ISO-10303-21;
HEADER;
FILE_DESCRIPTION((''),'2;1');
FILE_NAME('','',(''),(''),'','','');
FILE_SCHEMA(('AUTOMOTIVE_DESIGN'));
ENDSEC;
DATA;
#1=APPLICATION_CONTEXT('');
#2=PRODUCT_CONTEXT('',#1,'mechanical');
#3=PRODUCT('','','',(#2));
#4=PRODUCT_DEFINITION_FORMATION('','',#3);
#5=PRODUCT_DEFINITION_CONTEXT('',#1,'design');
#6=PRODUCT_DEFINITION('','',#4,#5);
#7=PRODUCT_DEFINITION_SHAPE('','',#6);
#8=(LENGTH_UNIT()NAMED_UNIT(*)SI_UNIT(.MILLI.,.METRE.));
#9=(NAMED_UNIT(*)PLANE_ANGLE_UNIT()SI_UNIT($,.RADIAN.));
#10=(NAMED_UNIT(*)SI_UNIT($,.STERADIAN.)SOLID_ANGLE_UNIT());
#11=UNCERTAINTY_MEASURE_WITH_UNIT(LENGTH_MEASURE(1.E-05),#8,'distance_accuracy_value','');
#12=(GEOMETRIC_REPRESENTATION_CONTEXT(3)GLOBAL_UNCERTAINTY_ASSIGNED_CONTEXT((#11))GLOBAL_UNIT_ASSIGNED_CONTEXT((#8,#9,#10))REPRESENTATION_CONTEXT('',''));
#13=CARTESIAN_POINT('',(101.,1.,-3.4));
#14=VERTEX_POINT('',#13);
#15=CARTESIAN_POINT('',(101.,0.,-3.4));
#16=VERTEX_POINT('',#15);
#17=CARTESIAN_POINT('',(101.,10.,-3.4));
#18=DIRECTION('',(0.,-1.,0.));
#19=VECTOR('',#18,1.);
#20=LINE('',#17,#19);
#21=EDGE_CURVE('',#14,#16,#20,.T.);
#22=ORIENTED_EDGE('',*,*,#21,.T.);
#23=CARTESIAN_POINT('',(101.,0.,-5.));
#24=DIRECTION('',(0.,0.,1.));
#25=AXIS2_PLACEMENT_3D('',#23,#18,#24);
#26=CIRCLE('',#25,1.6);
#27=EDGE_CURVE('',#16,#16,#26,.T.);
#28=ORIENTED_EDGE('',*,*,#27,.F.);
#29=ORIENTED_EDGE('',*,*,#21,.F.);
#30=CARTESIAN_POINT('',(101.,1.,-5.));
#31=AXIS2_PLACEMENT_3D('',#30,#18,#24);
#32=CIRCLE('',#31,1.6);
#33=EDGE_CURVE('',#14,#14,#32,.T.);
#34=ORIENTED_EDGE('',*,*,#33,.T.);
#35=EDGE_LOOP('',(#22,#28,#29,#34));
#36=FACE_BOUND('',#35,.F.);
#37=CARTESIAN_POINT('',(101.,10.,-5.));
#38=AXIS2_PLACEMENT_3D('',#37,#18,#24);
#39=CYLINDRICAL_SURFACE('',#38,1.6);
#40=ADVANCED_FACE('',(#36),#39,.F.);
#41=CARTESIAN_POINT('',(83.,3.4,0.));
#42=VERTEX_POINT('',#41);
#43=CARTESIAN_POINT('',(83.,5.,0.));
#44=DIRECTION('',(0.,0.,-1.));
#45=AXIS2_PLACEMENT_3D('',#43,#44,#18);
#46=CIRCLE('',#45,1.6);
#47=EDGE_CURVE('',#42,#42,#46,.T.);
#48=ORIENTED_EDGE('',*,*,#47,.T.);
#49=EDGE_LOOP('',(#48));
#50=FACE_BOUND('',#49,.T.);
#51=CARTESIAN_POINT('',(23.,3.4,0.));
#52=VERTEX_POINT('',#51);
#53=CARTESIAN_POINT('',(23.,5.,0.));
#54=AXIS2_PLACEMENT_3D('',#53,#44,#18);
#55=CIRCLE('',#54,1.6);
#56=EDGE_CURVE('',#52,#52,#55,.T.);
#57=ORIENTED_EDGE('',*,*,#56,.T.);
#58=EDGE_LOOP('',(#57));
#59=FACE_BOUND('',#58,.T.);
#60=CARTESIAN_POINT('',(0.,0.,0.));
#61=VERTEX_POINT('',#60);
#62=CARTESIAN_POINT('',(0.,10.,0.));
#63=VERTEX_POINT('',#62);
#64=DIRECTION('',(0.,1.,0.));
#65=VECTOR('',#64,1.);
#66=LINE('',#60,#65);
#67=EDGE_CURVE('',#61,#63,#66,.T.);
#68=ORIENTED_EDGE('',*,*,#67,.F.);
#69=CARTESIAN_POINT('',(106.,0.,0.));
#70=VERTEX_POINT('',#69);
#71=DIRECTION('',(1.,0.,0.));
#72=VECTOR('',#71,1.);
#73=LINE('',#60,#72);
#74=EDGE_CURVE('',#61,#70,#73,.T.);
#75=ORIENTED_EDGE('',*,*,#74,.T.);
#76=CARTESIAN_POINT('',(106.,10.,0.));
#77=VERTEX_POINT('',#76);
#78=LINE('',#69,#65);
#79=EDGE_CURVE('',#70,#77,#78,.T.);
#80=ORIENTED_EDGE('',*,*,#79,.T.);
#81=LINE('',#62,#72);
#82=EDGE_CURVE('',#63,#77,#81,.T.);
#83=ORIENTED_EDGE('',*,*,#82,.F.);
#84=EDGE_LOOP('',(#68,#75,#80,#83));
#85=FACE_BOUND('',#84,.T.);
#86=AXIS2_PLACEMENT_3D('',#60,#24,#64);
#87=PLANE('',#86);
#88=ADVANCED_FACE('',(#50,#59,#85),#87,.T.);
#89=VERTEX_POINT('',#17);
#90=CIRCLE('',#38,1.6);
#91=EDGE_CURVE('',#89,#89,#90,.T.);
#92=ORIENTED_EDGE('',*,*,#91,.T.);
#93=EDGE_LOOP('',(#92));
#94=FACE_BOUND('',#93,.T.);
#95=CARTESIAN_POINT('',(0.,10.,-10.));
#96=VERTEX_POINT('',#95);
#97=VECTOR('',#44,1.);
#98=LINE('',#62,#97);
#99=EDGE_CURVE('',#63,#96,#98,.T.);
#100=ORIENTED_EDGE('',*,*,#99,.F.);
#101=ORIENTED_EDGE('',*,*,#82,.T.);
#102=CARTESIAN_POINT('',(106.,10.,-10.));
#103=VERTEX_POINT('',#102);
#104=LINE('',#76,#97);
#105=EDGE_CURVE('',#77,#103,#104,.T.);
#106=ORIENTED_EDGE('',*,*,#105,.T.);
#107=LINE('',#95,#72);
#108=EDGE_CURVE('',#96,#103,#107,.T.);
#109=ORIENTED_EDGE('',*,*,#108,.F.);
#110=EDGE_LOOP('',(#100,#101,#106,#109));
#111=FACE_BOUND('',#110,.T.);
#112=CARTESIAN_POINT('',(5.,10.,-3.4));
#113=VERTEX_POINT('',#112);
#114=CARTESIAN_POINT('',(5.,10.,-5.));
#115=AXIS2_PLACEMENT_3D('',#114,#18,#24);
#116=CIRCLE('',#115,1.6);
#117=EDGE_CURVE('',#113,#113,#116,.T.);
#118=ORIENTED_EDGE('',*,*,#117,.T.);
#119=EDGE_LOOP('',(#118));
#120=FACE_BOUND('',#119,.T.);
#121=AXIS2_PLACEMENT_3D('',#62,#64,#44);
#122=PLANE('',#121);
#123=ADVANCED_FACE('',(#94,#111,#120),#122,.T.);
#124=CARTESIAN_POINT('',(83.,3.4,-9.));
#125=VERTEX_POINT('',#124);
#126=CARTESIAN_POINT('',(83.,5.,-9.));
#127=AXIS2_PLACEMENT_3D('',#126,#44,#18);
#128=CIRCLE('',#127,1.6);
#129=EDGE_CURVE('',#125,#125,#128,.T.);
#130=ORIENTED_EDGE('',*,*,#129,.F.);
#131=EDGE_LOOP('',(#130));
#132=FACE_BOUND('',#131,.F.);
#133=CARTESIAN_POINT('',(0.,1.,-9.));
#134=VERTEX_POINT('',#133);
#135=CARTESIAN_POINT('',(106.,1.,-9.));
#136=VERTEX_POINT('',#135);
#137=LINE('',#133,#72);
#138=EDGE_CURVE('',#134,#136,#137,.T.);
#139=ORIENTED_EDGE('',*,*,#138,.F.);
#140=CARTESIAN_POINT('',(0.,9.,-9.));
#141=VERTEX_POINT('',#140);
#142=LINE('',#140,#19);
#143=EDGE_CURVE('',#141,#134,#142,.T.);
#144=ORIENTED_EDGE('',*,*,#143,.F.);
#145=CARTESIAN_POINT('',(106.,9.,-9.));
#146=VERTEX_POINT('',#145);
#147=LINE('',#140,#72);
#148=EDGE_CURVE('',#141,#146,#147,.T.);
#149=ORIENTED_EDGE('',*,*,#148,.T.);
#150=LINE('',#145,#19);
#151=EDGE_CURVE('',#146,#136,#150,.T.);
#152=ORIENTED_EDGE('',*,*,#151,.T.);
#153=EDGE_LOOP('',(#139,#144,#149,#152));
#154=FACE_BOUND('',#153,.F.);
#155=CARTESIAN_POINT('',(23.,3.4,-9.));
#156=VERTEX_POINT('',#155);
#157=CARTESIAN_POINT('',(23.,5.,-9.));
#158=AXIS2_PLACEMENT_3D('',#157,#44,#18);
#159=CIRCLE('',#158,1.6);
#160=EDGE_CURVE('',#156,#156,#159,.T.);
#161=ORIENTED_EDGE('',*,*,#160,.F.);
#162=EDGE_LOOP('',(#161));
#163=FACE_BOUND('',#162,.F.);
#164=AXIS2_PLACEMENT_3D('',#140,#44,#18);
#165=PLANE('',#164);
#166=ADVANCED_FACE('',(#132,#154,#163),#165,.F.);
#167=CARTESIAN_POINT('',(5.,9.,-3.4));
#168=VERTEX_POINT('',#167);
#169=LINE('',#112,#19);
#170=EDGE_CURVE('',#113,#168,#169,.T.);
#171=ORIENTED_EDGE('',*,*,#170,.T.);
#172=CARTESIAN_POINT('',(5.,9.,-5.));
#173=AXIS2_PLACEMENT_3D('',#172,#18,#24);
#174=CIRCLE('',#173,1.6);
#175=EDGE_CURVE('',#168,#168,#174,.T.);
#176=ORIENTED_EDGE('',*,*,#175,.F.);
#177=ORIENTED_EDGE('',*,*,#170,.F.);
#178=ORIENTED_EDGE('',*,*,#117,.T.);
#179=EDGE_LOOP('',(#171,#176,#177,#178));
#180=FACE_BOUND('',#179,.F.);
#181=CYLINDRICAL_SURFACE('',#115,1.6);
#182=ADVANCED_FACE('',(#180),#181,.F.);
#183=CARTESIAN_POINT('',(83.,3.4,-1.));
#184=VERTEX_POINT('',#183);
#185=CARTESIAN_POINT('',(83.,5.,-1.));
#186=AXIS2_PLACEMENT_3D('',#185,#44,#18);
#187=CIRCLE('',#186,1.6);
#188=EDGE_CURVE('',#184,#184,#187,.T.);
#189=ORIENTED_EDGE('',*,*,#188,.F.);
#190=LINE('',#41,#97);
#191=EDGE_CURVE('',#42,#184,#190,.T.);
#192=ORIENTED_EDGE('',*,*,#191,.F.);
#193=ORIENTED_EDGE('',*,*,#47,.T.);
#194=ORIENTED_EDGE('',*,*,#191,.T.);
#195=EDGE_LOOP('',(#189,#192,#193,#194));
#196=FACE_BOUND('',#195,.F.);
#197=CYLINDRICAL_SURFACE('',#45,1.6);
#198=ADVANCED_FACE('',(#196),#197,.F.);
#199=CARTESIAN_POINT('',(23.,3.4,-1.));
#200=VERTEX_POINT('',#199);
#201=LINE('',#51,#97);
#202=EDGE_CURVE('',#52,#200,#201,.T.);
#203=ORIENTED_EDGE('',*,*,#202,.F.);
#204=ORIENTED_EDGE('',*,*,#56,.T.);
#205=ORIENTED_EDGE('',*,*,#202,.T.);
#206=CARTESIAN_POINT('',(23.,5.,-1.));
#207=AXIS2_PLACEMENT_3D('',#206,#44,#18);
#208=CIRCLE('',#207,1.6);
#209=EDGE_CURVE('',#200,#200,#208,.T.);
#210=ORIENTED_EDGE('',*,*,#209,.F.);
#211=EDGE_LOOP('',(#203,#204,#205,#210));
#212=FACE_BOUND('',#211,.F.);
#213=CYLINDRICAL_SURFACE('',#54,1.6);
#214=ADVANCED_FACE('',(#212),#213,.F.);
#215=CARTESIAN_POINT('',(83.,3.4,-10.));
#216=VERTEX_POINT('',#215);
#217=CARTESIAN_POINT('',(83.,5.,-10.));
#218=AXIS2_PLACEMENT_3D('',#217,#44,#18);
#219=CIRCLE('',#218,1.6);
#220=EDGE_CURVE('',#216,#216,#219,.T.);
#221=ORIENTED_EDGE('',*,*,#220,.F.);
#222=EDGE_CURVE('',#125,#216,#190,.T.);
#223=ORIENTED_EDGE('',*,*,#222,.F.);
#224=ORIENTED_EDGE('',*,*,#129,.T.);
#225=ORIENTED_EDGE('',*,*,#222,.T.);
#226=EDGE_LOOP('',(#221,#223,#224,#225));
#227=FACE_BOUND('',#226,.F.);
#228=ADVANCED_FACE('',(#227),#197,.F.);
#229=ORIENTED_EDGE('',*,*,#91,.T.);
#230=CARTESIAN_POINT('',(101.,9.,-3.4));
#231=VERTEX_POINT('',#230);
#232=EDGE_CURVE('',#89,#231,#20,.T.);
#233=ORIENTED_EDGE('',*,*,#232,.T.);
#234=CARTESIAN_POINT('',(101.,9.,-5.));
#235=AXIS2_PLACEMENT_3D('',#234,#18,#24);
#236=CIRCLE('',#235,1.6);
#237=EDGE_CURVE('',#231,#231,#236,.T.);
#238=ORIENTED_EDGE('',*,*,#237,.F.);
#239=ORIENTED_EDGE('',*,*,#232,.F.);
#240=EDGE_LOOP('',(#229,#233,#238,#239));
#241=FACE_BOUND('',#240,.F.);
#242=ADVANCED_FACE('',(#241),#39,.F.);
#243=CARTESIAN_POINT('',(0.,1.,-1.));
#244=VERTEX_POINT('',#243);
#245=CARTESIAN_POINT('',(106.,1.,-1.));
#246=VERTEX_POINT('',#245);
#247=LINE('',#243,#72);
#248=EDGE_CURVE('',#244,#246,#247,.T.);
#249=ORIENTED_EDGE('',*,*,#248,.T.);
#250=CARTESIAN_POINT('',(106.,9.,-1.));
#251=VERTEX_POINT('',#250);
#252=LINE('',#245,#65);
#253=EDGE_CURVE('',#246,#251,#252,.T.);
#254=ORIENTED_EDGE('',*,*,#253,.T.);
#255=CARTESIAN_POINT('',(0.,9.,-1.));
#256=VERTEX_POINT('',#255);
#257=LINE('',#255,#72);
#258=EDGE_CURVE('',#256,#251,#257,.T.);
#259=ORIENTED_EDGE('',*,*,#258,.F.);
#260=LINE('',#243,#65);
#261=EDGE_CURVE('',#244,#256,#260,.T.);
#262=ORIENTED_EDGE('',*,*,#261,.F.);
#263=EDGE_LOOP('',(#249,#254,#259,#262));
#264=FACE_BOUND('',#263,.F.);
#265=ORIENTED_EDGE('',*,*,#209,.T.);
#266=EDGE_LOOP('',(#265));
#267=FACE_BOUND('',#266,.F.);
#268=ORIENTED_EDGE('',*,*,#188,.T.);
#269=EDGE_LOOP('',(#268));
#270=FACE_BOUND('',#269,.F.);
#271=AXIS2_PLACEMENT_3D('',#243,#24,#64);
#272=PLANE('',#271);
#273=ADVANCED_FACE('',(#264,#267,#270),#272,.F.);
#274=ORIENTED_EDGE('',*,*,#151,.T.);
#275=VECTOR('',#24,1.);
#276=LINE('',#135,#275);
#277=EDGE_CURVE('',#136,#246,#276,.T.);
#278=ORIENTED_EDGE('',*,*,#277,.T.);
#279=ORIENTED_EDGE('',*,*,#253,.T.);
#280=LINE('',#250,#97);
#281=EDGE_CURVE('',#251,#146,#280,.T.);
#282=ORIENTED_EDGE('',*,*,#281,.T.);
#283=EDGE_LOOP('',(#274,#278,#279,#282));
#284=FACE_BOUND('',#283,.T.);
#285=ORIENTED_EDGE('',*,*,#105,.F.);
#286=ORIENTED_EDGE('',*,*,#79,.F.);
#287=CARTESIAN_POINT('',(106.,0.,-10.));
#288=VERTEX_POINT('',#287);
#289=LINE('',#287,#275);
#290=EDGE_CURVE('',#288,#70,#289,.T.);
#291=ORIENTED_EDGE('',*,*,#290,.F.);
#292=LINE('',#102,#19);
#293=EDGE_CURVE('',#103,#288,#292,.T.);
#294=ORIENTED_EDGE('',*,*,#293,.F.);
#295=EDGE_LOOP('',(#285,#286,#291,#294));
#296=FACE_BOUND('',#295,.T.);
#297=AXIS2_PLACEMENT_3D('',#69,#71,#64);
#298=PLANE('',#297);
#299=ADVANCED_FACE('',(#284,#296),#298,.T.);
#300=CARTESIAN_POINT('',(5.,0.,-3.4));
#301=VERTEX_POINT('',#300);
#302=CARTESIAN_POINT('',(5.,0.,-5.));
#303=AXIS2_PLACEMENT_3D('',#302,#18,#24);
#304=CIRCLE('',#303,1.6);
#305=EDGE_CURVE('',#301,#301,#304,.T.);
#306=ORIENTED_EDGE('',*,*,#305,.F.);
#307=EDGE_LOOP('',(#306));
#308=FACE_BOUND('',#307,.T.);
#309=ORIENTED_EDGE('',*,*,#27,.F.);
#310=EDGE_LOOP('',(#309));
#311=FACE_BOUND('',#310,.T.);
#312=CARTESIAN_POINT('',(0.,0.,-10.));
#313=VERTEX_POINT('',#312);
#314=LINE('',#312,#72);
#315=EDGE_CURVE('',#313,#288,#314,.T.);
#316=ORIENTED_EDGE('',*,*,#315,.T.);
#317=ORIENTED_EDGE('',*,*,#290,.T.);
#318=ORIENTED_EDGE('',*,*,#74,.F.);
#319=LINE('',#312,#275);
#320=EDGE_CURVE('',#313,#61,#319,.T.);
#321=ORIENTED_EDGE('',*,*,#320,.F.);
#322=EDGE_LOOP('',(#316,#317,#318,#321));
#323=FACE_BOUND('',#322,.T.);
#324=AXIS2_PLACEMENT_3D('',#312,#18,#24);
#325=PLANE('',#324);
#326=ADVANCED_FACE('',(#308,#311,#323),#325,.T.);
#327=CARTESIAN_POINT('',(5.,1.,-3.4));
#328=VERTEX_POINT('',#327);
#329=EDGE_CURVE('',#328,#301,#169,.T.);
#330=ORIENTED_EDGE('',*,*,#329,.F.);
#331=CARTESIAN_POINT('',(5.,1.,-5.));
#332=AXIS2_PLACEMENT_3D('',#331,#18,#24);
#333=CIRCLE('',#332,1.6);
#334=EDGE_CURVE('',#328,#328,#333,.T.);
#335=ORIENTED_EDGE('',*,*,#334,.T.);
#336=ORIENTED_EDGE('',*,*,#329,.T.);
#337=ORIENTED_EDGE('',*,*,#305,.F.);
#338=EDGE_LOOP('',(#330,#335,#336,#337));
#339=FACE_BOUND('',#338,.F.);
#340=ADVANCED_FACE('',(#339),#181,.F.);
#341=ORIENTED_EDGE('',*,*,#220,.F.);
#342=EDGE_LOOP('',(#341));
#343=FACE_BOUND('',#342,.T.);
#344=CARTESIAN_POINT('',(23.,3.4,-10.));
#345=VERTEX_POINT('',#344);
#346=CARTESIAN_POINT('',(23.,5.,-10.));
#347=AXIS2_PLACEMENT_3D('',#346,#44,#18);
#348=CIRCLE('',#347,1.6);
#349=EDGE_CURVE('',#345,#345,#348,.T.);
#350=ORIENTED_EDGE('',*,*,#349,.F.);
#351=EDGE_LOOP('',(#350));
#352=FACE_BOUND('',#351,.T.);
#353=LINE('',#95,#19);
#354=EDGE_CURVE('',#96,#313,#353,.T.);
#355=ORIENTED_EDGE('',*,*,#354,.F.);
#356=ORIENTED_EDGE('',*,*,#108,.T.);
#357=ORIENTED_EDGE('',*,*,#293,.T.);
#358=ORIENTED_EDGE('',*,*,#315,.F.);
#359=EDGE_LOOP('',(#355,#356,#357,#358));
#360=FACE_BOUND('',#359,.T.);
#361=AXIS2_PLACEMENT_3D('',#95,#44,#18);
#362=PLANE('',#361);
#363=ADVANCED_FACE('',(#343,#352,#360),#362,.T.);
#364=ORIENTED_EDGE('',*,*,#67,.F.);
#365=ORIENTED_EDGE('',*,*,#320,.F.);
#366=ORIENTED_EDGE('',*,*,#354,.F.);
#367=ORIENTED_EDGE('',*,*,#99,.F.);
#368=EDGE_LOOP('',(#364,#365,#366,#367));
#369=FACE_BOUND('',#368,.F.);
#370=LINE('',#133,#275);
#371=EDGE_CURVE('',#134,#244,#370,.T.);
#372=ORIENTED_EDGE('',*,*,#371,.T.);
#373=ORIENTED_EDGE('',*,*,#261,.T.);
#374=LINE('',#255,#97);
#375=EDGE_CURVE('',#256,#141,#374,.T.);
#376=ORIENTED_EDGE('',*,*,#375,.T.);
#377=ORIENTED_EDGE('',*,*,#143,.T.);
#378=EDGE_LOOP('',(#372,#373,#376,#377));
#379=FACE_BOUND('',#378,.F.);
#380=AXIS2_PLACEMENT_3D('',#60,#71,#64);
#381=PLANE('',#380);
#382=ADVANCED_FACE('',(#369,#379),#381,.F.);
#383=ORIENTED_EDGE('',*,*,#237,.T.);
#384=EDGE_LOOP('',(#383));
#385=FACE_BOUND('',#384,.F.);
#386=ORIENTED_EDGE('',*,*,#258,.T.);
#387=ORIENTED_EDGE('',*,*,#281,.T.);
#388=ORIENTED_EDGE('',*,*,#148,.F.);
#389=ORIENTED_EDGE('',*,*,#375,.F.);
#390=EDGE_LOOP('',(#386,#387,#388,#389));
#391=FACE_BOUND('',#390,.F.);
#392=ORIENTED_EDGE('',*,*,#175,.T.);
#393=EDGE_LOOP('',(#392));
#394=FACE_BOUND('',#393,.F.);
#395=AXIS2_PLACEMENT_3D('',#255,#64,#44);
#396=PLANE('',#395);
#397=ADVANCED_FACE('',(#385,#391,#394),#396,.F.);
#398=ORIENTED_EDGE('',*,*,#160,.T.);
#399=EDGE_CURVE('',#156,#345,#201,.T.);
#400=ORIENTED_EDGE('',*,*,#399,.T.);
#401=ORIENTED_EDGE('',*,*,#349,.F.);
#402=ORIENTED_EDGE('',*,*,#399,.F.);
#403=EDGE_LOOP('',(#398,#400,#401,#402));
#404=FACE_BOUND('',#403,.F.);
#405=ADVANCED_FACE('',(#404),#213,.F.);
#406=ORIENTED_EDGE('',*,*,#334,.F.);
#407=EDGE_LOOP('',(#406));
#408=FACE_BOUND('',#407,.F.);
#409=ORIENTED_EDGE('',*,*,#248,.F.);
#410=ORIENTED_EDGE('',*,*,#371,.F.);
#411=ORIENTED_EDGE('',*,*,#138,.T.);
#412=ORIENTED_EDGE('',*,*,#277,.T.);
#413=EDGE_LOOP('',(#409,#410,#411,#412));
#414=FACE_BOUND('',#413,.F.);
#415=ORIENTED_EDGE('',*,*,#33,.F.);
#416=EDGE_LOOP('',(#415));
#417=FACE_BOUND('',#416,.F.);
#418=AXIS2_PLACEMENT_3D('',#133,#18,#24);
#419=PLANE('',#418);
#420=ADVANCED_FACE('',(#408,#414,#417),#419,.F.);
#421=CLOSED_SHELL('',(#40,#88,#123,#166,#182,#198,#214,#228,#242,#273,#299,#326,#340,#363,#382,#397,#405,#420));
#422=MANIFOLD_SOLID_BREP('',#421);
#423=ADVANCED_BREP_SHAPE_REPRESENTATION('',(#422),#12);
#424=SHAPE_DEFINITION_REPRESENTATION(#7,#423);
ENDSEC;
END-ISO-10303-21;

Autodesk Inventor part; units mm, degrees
ref_plane "YZ Plane" through (0, 0, 0) normal (1, 0, 0) x (0, 1, 0)
ref_plane "XZ Plane" through (0, 0, 0) normal (0, 1, 0) x (-1, 0, 0)
ref_plane "XY Plane" through (0, 0, 0) normal (0, 0, 1) x (1, 0, 0)
sketch "スケッチ1" plane through (0, 0, 0) normal (1, 0, 0) x (0, 1, 0)
  line L0 (0, 0) -> (10, 0)
  line L1 (10, 0) -> (10, -10)
  line L2 (10, -10) -> (0, -10)
  line L3 (0, -10) -> (0, 0)
  line L4 (1, -1) -> (9, -1)
  line L5 (9, -1) -> (9, -9)
  line L6 (9, -9) -> (1, -9)
  line L7 (1, -9) -> (1, -1)
  dimension "d0" = 10
  dimension "d1" = 10
  dimension "d2" = 8
  dimension "d3" = 8
  dimension "d4" = 1
  dimension "d5" = 1
extrude "押し出し1" add sketch "スケッチ1" along normal blind 106
sketch "スケッチ2" plane through (0, 10, 0) normal (0, 1, 0) x (1, 0, 0)
  line L0 (0, 9) -> (0, 1) projected
  line L1 (0, 5) -> (120, 5)
  line L2 (106, 10) -> (106, 0) projected
  point P0 (0, 0)
  point P1 (5, 5)
  point P2 (101, 5)
  dimension "d8" = 5
  dimension "d9" = 5
hole "穴1" at (5, 10, -5) at (101, 10, -5) direction (0, -1, 0) diameter 3.2 end through all
sketch "スケッチ3" plane through (0, 0, 0) normal (0, 0, 1) x (1, 0, 0)
  line L0 (0, 0) -> (0, 10) projected
  line L1 (0, 5) -> (106, 5)
  line L2 (106, 0) -> (106, 10) projected
  point P0 (23, 5)
  point P1 (83, 5)
  point P2 (53, 5)
  dimension "d17" = 30
  dimension "d18" = 30
hole "穴2" at (23, 5, 0) at (83, 5, 0) direction (0, 0, -1) diameter 3.2 end through all
properties part number "link2_pipe3" material "アルミニウム 6061"
